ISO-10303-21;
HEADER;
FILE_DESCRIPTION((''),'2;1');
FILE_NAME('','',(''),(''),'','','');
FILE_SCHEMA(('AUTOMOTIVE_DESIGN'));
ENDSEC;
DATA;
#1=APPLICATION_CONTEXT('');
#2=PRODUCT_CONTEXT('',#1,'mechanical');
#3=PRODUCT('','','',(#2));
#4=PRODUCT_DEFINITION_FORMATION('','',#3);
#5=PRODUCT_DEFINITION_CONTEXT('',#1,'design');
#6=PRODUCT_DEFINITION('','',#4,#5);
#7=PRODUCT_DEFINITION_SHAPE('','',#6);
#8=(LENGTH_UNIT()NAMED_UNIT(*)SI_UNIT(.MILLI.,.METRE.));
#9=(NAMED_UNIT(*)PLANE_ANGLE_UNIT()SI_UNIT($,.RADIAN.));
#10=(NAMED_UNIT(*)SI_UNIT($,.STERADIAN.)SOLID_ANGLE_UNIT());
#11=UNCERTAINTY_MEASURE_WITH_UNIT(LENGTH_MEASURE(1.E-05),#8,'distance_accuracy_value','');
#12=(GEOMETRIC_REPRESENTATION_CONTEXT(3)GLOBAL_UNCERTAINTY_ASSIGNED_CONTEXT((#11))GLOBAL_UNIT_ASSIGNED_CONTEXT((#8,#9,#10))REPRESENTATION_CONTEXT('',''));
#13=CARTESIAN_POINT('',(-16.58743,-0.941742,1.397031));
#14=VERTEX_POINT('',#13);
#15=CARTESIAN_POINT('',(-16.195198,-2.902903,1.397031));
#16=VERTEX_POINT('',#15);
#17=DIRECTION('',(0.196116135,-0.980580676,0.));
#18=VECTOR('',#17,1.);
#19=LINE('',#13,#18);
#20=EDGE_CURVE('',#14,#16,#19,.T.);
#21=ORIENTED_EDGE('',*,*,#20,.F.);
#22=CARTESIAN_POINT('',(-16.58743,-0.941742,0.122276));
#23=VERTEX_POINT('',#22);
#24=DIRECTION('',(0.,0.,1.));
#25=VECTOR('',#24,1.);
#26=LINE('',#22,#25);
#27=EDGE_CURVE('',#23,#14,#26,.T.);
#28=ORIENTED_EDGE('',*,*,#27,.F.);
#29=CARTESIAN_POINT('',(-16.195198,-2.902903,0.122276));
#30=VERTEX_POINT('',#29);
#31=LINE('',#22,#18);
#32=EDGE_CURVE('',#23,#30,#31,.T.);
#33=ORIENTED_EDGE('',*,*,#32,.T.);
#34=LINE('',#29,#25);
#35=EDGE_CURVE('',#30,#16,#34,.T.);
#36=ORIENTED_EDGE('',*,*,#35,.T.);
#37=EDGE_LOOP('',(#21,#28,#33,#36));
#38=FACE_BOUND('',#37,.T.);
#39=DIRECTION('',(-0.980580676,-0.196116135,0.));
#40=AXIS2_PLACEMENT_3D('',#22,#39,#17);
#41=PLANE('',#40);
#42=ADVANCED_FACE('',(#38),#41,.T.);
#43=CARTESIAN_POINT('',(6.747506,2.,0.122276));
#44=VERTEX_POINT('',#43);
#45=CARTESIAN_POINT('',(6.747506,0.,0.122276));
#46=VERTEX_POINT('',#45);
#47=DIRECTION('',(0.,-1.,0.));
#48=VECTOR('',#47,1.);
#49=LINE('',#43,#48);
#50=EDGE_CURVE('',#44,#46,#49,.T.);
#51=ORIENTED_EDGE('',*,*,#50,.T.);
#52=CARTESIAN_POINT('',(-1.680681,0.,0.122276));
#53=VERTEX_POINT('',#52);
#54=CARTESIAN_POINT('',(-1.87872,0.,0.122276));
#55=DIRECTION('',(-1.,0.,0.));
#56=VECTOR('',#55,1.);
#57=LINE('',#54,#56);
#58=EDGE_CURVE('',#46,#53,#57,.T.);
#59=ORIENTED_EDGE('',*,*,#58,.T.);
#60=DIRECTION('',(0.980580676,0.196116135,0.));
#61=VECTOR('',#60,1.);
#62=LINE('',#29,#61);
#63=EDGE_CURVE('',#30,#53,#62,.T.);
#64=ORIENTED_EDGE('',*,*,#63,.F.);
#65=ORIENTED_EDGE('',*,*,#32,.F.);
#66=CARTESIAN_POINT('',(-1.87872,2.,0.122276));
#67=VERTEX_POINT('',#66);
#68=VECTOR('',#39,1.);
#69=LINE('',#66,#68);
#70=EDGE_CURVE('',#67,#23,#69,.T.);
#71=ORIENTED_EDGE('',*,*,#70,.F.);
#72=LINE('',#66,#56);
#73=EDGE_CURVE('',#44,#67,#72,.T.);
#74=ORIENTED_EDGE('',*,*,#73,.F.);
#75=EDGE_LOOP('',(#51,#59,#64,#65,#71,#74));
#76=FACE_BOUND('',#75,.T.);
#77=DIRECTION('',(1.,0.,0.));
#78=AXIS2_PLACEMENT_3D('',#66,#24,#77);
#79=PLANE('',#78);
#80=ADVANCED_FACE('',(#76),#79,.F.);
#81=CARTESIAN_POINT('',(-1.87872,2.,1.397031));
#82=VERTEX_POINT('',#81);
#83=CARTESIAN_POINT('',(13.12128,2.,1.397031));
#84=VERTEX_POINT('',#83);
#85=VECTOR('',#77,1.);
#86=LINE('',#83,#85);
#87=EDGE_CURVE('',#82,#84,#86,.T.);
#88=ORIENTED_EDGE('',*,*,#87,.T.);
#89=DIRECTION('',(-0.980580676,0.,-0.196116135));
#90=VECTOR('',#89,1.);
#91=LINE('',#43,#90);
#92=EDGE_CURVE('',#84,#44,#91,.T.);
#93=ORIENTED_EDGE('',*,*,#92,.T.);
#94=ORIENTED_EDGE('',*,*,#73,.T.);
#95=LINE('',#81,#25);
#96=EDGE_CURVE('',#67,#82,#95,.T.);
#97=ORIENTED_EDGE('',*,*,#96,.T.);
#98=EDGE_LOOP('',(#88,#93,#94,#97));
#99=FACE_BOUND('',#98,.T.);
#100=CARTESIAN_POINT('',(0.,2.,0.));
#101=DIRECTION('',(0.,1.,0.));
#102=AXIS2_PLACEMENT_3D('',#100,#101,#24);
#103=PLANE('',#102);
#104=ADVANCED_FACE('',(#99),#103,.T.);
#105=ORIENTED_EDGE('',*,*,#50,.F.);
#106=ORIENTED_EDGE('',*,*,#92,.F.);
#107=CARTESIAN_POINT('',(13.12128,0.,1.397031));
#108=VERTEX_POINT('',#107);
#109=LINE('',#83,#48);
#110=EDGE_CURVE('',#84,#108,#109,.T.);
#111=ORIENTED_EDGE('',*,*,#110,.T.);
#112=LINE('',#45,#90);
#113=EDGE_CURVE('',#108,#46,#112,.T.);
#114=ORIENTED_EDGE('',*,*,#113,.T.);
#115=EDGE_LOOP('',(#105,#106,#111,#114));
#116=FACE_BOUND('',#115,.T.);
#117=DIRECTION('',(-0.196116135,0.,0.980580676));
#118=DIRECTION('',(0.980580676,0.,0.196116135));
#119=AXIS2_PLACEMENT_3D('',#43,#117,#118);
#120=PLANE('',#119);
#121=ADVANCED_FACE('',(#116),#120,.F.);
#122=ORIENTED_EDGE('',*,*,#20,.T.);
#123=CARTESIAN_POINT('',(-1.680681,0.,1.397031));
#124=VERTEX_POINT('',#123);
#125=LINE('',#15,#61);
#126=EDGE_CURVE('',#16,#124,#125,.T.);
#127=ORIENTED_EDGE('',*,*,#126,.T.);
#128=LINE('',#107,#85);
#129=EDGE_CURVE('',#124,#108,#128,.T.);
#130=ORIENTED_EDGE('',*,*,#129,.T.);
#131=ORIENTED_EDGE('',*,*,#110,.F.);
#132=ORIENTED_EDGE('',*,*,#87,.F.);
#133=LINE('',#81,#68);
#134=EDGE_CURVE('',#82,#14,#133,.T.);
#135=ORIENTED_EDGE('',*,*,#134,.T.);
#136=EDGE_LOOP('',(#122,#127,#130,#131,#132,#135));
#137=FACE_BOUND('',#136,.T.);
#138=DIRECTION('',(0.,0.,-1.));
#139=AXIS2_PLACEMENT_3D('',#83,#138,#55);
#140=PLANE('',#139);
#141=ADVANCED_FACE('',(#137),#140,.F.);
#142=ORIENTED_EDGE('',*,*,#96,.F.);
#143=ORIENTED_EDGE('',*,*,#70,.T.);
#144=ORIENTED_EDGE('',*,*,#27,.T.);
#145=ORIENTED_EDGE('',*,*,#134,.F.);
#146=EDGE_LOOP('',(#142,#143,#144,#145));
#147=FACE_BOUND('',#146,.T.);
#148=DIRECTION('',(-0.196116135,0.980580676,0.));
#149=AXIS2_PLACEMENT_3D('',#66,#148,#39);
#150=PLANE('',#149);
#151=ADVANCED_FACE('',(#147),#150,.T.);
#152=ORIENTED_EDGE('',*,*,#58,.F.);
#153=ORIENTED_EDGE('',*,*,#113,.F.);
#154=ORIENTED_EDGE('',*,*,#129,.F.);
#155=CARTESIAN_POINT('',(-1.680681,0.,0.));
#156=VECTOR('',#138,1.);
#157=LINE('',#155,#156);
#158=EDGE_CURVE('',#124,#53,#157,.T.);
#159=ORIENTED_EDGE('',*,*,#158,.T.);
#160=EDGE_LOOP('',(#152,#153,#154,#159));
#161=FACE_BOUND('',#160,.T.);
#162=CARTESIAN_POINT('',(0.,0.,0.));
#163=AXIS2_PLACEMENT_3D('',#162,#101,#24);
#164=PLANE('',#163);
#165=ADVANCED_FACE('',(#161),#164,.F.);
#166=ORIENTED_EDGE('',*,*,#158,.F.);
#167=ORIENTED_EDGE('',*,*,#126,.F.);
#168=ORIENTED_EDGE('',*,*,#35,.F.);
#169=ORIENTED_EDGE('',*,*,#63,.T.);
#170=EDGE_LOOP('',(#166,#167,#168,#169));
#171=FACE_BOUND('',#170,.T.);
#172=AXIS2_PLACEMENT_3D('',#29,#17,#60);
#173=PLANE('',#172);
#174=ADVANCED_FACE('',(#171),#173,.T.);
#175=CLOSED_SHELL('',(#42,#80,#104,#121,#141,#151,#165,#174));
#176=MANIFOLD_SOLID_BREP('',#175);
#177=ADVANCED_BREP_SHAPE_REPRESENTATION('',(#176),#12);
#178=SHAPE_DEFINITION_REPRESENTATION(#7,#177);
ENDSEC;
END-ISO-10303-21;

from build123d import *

# Parameters (mm, degrees)
BOSS_EXTRUDE2_DEPTH = 2
BOSS_EXTRUDE4_DEPTH = 1.274755


with BuildPart() as part:
    # Sketch1 → Boss-Extrude2 (new body)
    with BuildSketch(Plane(origin=(0, 0, 0), x_dir=(1, 0, 0), z_dir=(0, 1, 0))):
        Polygon((-1.878719766, -1.397030535), (-1.878719766, -0.122275657), (6.747505842, -0.122275657), (13.121280234, -1.397030535), align=None)
    extrude(amount=BOSS_EXTRUDE2_DEPTH)

    # Sketch4 → Boss-Extrude4 (add)
    with BuildSketch(Plane.XY.offset(1.397030535)):
        Polygon((-1.878719766, 2), (-16.587429902, -0.941742026), (-16.195197632, -2.902903377), (-1.486487496, 0.038838649), align=None)
    extrude(amount=-BOSS_EXTRUDE4_DEPTH)


solid = part.part
